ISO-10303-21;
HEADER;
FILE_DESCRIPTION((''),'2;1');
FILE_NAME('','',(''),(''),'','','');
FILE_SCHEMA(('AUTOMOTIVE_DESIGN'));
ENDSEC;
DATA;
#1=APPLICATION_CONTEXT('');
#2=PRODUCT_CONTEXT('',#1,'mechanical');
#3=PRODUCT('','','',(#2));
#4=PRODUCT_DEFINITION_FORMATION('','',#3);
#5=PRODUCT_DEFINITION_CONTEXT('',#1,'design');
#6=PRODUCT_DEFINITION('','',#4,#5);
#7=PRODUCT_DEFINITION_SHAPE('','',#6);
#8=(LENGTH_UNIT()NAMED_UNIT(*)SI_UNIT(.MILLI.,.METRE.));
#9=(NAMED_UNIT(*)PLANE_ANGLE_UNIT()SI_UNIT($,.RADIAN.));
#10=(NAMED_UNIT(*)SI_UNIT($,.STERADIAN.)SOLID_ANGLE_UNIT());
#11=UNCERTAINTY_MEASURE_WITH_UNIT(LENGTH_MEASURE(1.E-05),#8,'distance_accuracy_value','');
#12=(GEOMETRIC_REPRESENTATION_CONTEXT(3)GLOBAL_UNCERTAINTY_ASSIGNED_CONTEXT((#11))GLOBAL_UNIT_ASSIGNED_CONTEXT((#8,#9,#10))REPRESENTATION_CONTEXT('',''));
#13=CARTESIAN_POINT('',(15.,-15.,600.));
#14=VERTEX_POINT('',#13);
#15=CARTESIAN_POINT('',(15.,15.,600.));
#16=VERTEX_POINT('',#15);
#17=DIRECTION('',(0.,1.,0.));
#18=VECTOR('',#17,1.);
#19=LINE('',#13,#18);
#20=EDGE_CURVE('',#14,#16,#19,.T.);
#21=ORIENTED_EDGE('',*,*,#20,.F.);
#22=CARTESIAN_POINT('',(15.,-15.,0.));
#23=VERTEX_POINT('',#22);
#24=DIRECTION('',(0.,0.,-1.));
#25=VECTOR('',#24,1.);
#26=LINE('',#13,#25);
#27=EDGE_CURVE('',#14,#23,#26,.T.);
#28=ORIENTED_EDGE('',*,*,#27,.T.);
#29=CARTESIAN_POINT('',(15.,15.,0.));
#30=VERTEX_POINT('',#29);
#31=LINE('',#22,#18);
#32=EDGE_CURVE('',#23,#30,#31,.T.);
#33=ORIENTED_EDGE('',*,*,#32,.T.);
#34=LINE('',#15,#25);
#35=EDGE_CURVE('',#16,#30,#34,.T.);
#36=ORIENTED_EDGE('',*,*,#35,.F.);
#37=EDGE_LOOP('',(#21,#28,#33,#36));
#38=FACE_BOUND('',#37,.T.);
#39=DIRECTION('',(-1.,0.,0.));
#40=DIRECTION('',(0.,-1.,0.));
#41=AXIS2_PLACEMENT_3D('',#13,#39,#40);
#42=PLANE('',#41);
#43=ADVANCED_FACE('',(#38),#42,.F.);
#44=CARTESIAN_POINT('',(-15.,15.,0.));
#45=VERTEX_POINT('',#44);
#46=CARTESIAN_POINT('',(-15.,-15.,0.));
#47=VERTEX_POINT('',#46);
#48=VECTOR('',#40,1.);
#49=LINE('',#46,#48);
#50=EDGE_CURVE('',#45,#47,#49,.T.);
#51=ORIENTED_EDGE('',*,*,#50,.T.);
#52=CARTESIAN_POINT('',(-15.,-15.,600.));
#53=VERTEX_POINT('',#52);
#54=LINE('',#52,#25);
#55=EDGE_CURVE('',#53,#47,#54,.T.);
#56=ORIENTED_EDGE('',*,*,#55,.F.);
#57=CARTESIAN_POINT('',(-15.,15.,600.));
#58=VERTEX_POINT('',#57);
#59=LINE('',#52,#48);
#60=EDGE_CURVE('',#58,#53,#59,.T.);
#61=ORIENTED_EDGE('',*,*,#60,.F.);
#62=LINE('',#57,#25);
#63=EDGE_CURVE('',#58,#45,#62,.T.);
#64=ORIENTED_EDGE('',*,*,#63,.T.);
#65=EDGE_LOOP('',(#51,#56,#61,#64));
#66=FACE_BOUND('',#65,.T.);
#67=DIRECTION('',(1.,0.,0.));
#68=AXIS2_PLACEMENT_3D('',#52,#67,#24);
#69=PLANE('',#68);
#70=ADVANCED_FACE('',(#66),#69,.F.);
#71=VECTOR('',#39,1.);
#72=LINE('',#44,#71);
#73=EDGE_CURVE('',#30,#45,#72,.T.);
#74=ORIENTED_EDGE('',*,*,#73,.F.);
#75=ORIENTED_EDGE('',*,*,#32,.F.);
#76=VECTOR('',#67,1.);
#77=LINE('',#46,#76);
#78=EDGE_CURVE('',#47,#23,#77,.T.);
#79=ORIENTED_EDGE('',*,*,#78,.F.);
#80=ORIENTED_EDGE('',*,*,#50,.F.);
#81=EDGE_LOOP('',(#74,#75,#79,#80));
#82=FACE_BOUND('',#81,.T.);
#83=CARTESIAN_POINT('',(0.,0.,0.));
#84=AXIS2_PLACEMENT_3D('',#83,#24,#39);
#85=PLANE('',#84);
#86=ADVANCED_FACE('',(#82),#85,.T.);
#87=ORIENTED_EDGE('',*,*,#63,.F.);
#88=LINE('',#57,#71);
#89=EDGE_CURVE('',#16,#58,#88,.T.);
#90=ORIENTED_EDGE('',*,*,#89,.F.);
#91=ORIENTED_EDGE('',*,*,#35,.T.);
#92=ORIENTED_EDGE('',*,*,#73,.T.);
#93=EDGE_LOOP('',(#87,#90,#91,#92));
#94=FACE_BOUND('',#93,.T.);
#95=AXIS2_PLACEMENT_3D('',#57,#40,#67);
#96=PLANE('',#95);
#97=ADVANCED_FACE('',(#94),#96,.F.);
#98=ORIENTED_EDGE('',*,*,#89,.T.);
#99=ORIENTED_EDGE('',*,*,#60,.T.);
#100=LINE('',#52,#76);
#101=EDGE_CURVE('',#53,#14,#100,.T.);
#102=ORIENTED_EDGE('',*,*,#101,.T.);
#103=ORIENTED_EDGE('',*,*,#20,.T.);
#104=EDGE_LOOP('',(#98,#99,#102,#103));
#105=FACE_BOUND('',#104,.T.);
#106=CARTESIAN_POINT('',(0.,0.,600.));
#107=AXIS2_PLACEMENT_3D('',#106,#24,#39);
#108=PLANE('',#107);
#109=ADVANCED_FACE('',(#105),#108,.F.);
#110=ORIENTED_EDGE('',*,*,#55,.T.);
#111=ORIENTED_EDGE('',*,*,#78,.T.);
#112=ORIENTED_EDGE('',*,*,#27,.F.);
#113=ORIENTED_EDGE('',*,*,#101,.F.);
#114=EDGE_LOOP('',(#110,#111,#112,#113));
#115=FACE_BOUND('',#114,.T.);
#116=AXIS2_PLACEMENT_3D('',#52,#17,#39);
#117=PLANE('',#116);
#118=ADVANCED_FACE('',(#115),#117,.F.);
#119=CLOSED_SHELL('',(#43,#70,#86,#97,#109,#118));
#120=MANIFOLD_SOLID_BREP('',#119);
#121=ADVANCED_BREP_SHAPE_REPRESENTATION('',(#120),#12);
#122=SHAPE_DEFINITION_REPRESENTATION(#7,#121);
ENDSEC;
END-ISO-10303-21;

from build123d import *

# Parameters (mm, degrees)
SKETCH_1_W      = 30
SKETCH_1_H      = 30
EXTRUDE_1_DEPTH = 600


with BuildPart() as part:
    # 草图1 → 凸台-拉伸1 (new body)
    with BuildSketch(Plane.XY):
        Rectangle(SKETCH_1_W, SKETCH_1_H)
    extrude(amount=EXTRUDE_1_DEPTH)


solid = part.part
